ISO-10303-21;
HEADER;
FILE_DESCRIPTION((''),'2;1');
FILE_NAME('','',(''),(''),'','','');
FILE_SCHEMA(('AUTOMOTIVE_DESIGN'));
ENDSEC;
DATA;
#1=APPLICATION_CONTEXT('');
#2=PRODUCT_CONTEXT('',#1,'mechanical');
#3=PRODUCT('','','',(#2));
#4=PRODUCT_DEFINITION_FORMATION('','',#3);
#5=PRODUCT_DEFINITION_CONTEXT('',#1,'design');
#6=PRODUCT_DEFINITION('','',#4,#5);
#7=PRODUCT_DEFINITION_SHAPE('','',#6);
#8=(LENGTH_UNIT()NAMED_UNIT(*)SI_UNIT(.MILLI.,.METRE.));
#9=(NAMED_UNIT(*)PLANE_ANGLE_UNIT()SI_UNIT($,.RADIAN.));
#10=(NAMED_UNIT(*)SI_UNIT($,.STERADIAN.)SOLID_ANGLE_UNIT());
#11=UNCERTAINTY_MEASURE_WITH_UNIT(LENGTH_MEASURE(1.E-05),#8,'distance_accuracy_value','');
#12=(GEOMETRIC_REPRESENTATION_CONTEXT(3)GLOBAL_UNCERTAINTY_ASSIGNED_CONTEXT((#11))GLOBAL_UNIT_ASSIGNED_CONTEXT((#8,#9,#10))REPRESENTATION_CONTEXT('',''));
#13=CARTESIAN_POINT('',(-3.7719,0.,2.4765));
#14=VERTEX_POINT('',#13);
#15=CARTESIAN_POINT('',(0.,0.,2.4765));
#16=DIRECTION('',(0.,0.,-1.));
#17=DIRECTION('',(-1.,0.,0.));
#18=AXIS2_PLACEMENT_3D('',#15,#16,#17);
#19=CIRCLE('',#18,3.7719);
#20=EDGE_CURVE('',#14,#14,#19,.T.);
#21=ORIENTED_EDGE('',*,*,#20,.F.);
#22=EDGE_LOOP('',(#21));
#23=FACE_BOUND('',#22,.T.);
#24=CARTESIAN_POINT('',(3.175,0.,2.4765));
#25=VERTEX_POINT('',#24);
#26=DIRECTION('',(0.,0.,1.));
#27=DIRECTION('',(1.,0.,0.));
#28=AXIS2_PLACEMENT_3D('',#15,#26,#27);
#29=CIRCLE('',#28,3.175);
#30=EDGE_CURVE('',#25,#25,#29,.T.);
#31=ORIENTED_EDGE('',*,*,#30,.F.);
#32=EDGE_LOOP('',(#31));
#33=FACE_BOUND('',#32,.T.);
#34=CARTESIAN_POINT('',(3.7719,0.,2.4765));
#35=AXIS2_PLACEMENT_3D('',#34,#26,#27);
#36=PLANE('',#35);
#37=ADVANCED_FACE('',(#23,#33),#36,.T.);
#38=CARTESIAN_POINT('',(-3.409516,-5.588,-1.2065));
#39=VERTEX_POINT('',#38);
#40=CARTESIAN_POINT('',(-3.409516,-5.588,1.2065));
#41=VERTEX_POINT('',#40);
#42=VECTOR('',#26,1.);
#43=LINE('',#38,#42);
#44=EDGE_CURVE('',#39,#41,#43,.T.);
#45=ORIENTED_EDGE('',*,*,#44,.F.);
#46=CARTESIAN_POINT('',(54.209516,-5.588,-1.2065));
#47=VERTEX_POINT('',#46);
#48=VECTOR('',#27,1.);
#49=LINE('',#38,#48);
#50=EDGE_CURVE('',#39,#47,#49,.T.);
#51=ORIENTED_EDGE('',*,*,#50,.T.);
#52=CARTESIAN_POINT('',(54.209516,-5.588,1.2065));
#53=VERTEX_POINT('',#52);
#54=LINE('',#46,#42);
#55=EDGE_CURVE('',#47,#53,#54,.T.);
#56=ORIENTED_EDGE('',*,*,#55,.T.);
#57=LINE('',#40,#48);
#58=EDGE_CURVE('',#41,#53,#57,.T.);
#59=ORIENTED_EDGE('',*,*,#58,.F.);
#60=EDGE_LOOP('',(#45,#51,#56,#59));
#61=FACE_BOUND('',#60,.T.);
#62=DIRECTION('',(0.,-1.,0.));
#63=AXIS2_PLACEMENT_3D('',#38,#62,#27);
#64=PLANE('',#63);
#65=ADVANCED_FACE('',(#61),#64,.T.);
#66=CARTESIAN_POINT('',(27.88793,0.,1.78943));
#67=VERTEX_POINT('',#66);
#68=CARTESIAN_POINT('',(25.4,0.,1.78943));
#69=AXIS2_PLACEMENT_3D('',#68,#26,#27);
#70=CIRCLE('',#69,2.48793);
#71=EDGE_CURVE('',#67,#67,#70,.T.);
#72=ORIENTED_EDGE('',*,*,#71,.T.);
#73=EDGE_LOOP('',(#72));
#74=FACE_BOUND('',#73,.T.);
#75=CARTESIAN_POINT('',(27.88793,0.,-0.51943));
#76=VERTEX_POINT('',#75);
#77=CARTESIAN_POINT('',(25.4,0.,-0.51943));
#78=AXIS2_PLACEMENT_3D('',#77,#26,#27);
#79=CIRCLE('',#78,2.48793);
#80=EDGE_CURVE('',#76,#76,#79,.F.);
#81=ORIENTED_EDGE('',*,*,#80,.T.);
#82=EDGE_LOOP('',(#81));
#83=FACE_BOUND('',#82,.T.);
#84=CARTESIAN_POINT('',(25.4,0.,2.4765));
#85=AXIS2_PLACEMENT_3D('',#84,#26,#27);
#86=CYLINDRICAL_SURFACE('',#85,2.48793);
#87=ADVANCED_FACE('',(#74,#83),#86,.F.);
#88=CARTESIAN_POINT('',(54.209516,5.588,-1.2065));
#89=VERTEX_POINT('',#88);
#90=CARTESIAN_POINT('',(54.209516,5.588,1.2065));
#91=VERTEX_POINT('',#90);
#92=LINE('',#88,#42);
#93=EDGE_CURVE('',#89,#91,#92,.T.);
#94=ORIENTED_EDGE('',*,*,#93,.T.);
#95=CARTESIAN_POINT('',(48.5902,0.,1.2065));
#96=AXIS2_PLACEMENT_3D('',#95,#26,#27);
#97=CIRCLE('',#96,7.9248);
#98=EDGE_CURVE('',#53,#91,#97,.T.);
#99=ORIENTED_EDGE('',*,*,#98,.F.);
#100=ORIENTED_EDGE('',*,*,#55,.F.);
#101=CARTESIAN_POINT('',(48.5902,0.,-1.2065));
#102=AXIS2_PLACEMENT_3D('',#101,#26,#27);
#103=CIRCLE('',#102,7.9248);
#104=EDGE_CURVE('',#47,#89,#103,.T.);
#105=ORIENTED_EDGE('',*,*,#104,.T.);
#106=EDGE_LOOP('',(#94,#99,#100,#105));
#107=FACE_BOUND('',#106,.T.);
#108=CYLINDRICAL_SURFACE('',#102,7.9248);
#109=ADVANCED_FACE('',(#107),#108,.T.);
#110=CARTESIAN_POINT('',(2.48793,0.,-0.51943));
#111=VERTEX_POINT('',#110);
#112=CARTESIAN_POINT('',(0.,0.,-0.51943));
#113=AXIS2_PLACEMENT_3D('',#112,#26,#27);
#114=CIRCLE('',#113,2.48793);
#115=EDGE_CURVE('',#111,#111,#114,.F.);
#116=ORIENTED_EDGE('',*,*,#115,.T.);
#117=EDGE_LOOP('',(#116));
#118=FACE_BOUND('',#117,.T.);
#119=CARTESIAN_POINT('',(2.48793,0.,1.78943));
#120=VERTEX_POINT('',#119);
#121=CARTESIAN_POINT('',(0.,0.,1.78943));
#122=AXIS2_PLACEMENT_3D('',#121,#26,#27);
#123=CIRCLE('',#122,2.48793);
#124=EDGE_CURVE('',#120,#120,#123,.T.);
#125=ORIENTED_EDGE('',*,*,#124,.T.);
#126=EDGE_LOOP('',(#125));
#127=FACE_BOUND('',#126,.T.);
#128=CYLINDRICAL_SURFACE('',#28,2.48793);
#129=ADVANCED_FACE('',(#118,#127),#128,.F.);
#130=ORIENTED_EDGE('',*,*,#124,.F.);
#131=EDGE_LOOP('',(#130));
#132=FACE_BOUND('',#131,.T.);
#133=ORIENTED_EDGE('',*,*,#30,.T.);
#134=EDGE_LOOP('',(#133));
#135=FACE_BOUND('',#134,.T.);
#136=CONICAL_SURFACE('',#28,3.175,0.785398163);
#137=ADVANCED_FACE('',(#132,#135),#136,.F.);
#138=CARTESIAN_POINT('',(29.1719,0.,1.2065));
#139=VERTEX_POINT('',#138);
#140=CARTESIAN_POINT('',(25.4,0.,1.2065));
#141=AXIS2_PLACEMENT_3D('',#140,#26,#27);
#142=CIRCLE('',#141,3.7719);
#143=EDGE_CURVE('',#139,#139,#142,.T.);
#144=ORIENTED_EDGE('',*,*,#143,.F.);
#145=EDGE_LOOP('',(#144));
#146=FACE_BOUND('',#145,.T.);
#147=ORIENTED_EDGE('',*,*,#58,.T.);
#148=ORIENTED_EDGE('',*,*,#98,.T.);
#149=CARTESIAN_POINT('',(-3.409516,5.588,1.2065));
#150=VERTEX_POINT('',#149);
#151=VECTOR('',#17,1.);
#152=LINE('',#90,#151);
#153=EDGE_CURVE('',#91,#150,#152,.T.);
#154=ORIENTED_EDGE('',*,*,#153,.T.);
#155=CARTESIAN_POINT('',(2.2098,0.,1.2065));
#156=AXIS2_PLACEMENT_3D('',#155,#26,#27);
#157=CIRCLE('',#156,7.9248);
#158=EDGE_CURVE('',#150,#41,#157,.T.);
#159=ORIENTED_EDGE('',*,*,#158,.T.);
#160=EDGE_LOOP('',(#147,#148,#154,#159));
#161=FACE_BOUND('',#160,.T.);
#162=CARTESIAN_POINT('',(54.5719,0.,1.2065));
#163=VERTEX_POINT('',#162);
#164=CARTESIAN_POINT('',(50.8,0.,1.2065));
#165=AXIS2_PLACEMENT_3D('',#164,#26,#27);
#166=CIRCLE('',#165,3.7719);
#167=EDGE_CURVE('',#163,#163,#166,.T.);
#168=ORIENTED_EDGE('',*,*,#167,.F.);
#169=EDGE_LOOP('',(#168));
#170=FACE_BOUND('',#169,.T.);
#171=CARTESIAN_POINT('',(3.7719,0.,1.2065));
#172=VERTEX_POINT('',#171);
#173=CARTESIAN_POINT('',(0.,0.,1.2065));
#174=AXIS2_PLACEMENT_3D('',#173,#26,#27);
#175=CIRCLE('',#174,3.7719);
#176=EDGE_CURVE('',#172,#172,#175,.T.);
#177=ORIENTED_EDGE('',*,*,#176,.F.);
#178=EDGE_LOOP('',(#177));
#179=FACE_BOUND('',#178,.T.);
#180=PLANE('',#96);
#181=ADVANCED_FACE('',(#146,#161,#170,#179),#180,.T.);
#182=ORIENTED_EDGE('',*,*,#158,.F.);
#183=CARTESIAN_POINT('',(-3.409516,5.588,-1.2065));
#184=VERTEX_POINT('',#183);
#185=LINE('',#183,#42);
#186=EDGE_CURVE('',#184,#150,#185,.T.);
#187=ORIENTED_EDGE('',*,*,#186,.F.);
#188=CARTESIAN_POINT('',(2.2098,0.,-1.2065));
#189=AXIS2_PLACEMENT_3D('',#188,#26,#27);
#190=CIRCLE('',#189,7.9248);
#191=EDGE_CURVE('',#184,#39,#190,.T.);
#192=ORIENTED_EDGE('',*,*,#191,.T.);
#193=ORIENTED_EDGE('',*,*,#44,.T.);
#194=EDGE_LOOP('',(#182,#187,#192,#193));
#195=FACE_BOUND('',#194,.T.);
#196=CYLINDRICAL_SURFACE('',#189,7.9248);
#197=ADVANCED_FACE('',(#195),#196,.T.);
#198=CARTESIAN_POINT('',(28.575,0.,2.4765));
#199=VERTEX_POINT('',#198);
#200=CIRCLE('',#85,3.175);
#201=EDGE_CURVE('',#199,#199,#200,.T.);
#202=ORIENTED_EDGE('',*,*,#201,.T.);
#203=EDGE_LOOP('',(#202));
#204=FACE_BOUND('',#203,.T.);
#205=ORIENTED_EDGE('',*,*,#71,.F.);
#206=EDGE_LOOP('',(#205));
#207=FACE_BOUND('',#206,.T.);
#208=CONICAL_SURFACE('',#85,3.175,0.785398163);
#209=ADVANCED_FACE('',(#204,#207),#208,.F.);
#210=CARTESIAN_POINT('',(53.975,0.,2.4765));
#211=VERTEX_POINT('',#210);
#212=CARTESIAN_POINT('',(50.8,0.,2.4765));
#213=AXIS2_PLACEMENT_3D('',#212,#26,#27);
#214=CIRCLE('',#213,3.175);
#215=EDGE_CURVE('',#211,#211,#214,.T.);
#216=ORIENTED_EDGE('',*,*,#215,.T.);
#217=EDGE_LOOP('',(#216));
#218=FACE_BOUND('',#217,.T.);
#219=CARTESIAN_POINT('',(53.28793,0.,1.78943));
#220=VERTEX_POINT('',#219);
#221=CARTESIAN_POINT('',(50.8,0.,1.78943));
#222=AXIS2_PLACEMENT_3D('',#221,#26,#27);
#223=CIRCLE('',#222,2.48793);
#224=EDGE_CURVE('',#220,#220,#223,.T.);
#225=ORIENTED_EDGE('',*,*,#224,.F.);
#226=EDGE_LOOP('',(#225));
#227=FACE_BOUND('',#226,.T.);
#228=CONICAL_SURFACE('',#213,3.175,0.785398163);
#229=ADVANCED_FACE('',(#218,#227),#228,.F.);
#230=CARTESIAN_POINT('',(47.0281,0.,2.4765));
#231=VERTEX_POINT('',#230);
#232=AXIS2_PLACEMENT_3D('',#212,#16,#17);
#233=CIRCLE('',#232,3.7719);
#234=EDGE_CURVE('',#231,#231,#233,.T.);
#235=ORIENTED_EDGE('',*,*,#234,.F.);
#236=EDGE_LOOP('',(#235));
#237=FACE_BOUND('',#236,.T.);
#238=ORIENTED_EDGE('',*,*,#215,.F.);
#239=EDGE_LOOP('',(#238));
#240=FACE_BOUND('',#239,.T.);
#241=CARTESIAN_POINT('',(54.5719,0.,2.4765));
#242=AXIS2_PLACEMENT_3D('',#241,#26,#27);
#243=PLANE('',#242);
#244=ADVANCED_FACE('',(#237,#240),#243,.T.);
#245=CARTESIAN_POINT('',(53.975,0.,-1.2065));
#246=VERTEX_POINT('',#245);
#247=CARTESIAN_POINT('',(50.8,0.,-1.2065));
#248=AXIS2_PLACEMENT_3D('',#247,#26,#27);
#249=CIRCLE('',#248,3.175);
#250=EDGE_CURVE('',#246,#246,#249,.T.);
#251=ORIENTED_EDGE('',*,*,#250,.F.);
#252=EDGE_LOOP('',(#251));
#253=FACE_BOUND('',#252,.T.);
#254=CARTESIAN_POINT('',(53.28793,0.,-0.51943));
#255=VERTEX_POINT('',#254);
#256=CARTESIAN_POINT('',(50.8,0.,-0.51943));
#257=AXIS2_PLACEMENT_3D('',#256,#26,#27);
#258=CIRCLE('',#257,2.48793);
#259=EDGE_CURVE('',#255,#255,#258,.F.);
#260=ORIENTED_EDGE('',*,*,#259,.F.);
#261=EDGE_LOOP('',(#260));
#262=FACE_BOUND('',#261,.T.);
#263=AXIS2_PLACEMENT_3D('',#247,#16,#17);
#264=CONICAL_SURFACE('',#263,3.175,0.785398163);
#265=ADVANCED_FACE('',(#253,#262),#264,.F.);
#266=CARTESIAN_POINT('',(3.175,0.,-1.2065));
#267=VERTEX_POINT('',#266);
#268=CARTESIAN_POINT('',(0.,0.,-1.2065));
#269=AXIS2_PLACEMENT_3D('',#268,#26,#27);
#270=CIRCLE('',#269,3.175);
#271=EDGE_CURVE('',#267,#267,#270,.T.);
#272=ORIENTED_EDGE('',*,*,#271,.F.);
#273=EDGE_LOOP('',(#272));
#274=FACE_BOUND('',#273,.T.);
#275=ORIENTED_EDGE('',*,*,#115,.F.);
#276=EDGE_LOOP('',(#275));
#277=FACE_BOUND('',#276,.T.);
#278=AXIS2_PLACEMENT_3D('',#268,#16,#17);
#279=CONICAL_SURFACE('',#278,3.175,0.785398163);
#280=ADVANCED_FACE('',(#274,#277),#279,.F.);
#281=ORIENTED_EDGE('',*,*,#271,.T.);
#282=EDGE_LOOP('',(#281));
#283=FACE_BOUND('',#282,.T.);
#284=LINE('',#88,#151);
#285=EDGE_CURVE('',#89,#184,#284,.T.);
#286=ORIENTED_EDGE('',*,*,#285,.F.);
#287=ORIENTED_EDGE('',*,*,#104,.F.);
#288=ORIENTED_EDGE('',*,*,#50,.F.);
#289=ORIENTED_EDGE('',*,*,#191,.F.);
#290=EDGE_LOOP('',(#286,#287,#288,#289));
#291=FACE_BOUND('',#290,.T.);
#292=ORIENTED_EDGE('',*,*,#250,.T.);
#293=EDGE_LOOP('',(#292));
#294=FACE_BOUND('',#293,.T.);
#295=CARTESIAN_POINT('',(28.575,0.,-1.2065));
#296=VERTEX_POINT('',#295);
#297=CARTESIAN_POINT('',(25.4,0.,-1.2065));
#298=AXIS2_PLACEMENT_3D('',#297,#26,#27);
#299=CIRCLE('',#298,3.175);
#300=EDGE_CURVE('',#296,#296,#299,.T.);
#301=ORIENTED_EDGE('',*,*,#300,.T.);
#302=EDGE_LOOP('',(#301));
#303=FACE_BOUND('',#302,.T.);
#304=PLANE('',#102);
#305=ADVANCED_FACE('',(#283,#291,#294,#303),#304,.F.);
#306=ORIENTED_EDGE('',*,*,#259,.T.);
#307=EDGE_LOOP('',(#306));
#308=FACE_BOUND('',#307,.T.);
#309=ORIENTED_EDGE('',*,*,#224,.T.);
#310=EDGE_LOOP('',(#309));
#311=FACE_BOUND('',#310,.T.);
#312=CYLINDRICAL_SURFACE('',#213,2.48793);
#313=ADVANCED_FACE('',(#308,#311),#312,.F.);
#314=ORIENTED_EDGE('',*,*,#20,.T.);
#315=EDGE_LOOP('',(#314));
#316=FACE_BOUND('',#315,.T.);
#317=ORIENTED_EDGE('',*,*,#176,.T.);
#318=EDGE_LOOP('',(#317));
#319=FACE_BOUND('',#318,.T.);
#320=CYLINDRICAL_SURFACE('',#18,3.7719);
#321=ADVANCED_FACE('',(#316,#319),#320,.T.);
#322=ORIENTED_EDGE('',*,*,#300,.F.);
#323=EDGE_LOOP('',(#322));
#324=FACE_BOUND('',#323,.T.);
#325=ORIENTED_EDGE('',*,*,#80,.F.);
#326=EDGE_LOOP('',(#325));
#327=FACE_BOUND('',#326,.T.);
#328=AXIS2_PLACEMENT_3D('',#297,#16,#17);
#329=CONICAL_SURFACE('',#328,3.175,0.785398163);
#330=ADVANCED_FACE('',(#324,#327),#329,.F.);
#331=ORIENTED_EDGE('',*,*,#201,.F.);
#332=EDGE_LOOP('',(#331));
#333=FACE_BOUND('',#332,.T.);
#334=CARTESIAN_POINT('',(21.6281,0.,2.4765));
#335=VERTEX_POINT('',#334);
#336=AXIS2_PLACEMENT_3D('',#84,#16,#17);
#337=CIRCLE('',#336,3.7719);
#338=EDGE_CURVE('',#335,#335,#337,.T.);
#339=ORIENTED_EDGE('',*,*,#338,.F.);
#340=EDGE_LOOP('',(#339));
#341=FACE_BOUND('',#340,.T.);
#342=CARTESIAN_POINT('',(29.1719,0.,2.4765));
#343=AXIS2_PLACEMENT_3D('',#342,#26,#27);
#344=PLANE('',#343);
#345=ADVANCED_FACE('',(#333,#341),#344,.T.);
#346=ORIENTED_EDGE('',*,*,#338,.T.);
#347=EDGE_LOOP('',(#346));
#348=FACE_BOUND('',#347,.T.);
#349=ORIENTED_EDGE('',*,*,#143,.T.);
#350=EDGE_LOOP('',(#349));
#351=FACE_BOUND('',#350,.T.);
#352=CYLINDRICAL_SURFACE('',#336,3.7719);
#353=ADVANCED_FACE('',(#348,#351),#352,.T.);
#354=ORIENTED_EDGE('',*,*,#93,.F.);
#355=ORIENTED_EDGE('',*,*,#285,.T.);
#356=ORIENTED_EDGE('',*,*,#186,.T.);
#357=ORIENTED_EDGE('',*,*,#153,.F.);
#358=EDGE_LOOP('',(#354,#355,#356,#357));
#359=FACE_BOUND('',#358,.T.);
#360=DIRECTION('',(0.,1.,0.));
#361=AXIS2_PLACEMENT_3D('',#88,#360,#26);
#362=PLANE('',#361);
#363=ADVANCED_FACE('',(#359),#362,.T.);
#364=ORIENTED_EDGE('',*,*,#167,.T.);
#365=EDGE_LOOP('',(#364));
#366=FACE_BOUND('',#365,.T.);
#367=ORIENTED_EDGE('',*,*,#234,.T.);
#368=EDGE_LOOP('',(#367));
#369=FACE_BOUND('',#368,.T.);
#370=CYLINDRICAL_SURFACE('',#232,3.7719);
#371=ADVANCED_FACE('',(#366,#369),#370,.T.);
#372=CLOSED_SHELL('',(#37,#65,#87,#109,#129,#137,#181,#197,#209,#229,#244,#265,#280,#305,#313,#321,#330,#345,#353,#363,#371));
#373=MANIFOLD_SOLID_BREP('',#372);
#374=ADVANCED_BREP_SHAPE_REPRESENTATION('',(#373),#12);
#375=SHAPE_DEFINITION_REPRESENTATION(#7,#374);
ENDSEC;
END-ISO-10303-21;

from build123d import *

# Parameters (mm, degrees)
BOSS_EXTRUDE1_DEPTH = 2.413
SKETCH2_W           = 3.7719
SKETCH2_H           = 1.27
SKETCH3_W           = 3.7719
SKETCH3_H           = 1.27
SKETCH4_W           = 3.7719
SKETCH4_H           = 1.27
HOLE1_D             = 4.97586
HOLE1_CSINK_D       = 6.35
HOLE1_CSINK_ANGLE   = 90
CHAMFER1_SIZE       = 0.68707


with BuildPart() as part:
    # Sketch1 → Boss-Extrude1 (new body)
    with BuildSketch(Plane.XY.offset(1.2065)):
        with BuildLine():
            Line((54.209515887, 5.588), (-3.409515887, 5.588))
            ThreePointArc((-3.409515887, 5.588), (-5.715, 0), (-3.409515887, -5.588))
            Line((-3.409515887, -5.588), (54.209515887, -5.588))
            ThreePointArc((54.209515887, -5.588), (56.515, 0), (54.209515887, 5.588))
        make_face()
    extrude(amount=-BOSS_EXTRUDE1_DEPTH)

    # Sketch2 → Revolve1 (revolve)
    with BuildSketch(Plane.XZ, mode=Mode.PRIVATE) as revolve1_sk:
        with Locations((27.28595, 1.8415)):
            Rectangle(SKETCH2_W, SKETCH2_H)
    revolve(revolve1_sk.sketch.rotate(Axis((25.4, 0, 2.4765), (0, 0, -1)), 180), axis=Axis((25.4, 0, 2.4765), (0, 0, -1)))

    # Sketch3 → Revolve2 (revolve)
    with BuildSketch(Plane.XZ, mode=Mode.PRIVATE) as revolve2_sk:
        with Locations((1.88595, 1.8415)):
            Rectangle(SKETCH3_W, SKETCH3_H)
    revolve(revolve2_sk.sketch.rotate(Axis((0, 0, 2.4765), (0, 0, -1)), 180), axis=Axis((0, 0, 2.4765), (0, 0, -1)))

    # Sketch4 → Revolve3 (revolve)
    with BuildSketch(Plane.XZ, mode=Mode.PRIVATE) as revolve3_sk:
        with Locations((52.68595, 1.8415)):
            Rectangle(SKETCH4_W, SKETCH4_H)
    revolve(revolve3_sk.sketch.rotate(Axis((50.8, 0, 2.4765), (0, 0, -1)), 180), axis=Axis((50.8, 0, 2.4765), (0, 0, -1)))

    # Hole1 (through all)
    with Locations(Plane.XY.offset(2.4765)):
        with Locations((0, 0), (25.4, 0), (50.8, 0)):
            CounterSinkHole(HOLE1_D / 2, HOLE1_CSINK_D / 2, counter_sink_angle=HOLE1_CSINK_ANGLE)

    # Chamfer1
    chamfer1_edges = [part.edges().sort_by_distance(p)[0] for p in [
        (53.28793, 0, -1.2065),
        (27.88793, 0, -1.2065),
        (2.48793, 0, -1.2065),
    ]]
    chamfer(chamfer1_edges, length=CHAMFER1_SIZE)


solid = part.part
